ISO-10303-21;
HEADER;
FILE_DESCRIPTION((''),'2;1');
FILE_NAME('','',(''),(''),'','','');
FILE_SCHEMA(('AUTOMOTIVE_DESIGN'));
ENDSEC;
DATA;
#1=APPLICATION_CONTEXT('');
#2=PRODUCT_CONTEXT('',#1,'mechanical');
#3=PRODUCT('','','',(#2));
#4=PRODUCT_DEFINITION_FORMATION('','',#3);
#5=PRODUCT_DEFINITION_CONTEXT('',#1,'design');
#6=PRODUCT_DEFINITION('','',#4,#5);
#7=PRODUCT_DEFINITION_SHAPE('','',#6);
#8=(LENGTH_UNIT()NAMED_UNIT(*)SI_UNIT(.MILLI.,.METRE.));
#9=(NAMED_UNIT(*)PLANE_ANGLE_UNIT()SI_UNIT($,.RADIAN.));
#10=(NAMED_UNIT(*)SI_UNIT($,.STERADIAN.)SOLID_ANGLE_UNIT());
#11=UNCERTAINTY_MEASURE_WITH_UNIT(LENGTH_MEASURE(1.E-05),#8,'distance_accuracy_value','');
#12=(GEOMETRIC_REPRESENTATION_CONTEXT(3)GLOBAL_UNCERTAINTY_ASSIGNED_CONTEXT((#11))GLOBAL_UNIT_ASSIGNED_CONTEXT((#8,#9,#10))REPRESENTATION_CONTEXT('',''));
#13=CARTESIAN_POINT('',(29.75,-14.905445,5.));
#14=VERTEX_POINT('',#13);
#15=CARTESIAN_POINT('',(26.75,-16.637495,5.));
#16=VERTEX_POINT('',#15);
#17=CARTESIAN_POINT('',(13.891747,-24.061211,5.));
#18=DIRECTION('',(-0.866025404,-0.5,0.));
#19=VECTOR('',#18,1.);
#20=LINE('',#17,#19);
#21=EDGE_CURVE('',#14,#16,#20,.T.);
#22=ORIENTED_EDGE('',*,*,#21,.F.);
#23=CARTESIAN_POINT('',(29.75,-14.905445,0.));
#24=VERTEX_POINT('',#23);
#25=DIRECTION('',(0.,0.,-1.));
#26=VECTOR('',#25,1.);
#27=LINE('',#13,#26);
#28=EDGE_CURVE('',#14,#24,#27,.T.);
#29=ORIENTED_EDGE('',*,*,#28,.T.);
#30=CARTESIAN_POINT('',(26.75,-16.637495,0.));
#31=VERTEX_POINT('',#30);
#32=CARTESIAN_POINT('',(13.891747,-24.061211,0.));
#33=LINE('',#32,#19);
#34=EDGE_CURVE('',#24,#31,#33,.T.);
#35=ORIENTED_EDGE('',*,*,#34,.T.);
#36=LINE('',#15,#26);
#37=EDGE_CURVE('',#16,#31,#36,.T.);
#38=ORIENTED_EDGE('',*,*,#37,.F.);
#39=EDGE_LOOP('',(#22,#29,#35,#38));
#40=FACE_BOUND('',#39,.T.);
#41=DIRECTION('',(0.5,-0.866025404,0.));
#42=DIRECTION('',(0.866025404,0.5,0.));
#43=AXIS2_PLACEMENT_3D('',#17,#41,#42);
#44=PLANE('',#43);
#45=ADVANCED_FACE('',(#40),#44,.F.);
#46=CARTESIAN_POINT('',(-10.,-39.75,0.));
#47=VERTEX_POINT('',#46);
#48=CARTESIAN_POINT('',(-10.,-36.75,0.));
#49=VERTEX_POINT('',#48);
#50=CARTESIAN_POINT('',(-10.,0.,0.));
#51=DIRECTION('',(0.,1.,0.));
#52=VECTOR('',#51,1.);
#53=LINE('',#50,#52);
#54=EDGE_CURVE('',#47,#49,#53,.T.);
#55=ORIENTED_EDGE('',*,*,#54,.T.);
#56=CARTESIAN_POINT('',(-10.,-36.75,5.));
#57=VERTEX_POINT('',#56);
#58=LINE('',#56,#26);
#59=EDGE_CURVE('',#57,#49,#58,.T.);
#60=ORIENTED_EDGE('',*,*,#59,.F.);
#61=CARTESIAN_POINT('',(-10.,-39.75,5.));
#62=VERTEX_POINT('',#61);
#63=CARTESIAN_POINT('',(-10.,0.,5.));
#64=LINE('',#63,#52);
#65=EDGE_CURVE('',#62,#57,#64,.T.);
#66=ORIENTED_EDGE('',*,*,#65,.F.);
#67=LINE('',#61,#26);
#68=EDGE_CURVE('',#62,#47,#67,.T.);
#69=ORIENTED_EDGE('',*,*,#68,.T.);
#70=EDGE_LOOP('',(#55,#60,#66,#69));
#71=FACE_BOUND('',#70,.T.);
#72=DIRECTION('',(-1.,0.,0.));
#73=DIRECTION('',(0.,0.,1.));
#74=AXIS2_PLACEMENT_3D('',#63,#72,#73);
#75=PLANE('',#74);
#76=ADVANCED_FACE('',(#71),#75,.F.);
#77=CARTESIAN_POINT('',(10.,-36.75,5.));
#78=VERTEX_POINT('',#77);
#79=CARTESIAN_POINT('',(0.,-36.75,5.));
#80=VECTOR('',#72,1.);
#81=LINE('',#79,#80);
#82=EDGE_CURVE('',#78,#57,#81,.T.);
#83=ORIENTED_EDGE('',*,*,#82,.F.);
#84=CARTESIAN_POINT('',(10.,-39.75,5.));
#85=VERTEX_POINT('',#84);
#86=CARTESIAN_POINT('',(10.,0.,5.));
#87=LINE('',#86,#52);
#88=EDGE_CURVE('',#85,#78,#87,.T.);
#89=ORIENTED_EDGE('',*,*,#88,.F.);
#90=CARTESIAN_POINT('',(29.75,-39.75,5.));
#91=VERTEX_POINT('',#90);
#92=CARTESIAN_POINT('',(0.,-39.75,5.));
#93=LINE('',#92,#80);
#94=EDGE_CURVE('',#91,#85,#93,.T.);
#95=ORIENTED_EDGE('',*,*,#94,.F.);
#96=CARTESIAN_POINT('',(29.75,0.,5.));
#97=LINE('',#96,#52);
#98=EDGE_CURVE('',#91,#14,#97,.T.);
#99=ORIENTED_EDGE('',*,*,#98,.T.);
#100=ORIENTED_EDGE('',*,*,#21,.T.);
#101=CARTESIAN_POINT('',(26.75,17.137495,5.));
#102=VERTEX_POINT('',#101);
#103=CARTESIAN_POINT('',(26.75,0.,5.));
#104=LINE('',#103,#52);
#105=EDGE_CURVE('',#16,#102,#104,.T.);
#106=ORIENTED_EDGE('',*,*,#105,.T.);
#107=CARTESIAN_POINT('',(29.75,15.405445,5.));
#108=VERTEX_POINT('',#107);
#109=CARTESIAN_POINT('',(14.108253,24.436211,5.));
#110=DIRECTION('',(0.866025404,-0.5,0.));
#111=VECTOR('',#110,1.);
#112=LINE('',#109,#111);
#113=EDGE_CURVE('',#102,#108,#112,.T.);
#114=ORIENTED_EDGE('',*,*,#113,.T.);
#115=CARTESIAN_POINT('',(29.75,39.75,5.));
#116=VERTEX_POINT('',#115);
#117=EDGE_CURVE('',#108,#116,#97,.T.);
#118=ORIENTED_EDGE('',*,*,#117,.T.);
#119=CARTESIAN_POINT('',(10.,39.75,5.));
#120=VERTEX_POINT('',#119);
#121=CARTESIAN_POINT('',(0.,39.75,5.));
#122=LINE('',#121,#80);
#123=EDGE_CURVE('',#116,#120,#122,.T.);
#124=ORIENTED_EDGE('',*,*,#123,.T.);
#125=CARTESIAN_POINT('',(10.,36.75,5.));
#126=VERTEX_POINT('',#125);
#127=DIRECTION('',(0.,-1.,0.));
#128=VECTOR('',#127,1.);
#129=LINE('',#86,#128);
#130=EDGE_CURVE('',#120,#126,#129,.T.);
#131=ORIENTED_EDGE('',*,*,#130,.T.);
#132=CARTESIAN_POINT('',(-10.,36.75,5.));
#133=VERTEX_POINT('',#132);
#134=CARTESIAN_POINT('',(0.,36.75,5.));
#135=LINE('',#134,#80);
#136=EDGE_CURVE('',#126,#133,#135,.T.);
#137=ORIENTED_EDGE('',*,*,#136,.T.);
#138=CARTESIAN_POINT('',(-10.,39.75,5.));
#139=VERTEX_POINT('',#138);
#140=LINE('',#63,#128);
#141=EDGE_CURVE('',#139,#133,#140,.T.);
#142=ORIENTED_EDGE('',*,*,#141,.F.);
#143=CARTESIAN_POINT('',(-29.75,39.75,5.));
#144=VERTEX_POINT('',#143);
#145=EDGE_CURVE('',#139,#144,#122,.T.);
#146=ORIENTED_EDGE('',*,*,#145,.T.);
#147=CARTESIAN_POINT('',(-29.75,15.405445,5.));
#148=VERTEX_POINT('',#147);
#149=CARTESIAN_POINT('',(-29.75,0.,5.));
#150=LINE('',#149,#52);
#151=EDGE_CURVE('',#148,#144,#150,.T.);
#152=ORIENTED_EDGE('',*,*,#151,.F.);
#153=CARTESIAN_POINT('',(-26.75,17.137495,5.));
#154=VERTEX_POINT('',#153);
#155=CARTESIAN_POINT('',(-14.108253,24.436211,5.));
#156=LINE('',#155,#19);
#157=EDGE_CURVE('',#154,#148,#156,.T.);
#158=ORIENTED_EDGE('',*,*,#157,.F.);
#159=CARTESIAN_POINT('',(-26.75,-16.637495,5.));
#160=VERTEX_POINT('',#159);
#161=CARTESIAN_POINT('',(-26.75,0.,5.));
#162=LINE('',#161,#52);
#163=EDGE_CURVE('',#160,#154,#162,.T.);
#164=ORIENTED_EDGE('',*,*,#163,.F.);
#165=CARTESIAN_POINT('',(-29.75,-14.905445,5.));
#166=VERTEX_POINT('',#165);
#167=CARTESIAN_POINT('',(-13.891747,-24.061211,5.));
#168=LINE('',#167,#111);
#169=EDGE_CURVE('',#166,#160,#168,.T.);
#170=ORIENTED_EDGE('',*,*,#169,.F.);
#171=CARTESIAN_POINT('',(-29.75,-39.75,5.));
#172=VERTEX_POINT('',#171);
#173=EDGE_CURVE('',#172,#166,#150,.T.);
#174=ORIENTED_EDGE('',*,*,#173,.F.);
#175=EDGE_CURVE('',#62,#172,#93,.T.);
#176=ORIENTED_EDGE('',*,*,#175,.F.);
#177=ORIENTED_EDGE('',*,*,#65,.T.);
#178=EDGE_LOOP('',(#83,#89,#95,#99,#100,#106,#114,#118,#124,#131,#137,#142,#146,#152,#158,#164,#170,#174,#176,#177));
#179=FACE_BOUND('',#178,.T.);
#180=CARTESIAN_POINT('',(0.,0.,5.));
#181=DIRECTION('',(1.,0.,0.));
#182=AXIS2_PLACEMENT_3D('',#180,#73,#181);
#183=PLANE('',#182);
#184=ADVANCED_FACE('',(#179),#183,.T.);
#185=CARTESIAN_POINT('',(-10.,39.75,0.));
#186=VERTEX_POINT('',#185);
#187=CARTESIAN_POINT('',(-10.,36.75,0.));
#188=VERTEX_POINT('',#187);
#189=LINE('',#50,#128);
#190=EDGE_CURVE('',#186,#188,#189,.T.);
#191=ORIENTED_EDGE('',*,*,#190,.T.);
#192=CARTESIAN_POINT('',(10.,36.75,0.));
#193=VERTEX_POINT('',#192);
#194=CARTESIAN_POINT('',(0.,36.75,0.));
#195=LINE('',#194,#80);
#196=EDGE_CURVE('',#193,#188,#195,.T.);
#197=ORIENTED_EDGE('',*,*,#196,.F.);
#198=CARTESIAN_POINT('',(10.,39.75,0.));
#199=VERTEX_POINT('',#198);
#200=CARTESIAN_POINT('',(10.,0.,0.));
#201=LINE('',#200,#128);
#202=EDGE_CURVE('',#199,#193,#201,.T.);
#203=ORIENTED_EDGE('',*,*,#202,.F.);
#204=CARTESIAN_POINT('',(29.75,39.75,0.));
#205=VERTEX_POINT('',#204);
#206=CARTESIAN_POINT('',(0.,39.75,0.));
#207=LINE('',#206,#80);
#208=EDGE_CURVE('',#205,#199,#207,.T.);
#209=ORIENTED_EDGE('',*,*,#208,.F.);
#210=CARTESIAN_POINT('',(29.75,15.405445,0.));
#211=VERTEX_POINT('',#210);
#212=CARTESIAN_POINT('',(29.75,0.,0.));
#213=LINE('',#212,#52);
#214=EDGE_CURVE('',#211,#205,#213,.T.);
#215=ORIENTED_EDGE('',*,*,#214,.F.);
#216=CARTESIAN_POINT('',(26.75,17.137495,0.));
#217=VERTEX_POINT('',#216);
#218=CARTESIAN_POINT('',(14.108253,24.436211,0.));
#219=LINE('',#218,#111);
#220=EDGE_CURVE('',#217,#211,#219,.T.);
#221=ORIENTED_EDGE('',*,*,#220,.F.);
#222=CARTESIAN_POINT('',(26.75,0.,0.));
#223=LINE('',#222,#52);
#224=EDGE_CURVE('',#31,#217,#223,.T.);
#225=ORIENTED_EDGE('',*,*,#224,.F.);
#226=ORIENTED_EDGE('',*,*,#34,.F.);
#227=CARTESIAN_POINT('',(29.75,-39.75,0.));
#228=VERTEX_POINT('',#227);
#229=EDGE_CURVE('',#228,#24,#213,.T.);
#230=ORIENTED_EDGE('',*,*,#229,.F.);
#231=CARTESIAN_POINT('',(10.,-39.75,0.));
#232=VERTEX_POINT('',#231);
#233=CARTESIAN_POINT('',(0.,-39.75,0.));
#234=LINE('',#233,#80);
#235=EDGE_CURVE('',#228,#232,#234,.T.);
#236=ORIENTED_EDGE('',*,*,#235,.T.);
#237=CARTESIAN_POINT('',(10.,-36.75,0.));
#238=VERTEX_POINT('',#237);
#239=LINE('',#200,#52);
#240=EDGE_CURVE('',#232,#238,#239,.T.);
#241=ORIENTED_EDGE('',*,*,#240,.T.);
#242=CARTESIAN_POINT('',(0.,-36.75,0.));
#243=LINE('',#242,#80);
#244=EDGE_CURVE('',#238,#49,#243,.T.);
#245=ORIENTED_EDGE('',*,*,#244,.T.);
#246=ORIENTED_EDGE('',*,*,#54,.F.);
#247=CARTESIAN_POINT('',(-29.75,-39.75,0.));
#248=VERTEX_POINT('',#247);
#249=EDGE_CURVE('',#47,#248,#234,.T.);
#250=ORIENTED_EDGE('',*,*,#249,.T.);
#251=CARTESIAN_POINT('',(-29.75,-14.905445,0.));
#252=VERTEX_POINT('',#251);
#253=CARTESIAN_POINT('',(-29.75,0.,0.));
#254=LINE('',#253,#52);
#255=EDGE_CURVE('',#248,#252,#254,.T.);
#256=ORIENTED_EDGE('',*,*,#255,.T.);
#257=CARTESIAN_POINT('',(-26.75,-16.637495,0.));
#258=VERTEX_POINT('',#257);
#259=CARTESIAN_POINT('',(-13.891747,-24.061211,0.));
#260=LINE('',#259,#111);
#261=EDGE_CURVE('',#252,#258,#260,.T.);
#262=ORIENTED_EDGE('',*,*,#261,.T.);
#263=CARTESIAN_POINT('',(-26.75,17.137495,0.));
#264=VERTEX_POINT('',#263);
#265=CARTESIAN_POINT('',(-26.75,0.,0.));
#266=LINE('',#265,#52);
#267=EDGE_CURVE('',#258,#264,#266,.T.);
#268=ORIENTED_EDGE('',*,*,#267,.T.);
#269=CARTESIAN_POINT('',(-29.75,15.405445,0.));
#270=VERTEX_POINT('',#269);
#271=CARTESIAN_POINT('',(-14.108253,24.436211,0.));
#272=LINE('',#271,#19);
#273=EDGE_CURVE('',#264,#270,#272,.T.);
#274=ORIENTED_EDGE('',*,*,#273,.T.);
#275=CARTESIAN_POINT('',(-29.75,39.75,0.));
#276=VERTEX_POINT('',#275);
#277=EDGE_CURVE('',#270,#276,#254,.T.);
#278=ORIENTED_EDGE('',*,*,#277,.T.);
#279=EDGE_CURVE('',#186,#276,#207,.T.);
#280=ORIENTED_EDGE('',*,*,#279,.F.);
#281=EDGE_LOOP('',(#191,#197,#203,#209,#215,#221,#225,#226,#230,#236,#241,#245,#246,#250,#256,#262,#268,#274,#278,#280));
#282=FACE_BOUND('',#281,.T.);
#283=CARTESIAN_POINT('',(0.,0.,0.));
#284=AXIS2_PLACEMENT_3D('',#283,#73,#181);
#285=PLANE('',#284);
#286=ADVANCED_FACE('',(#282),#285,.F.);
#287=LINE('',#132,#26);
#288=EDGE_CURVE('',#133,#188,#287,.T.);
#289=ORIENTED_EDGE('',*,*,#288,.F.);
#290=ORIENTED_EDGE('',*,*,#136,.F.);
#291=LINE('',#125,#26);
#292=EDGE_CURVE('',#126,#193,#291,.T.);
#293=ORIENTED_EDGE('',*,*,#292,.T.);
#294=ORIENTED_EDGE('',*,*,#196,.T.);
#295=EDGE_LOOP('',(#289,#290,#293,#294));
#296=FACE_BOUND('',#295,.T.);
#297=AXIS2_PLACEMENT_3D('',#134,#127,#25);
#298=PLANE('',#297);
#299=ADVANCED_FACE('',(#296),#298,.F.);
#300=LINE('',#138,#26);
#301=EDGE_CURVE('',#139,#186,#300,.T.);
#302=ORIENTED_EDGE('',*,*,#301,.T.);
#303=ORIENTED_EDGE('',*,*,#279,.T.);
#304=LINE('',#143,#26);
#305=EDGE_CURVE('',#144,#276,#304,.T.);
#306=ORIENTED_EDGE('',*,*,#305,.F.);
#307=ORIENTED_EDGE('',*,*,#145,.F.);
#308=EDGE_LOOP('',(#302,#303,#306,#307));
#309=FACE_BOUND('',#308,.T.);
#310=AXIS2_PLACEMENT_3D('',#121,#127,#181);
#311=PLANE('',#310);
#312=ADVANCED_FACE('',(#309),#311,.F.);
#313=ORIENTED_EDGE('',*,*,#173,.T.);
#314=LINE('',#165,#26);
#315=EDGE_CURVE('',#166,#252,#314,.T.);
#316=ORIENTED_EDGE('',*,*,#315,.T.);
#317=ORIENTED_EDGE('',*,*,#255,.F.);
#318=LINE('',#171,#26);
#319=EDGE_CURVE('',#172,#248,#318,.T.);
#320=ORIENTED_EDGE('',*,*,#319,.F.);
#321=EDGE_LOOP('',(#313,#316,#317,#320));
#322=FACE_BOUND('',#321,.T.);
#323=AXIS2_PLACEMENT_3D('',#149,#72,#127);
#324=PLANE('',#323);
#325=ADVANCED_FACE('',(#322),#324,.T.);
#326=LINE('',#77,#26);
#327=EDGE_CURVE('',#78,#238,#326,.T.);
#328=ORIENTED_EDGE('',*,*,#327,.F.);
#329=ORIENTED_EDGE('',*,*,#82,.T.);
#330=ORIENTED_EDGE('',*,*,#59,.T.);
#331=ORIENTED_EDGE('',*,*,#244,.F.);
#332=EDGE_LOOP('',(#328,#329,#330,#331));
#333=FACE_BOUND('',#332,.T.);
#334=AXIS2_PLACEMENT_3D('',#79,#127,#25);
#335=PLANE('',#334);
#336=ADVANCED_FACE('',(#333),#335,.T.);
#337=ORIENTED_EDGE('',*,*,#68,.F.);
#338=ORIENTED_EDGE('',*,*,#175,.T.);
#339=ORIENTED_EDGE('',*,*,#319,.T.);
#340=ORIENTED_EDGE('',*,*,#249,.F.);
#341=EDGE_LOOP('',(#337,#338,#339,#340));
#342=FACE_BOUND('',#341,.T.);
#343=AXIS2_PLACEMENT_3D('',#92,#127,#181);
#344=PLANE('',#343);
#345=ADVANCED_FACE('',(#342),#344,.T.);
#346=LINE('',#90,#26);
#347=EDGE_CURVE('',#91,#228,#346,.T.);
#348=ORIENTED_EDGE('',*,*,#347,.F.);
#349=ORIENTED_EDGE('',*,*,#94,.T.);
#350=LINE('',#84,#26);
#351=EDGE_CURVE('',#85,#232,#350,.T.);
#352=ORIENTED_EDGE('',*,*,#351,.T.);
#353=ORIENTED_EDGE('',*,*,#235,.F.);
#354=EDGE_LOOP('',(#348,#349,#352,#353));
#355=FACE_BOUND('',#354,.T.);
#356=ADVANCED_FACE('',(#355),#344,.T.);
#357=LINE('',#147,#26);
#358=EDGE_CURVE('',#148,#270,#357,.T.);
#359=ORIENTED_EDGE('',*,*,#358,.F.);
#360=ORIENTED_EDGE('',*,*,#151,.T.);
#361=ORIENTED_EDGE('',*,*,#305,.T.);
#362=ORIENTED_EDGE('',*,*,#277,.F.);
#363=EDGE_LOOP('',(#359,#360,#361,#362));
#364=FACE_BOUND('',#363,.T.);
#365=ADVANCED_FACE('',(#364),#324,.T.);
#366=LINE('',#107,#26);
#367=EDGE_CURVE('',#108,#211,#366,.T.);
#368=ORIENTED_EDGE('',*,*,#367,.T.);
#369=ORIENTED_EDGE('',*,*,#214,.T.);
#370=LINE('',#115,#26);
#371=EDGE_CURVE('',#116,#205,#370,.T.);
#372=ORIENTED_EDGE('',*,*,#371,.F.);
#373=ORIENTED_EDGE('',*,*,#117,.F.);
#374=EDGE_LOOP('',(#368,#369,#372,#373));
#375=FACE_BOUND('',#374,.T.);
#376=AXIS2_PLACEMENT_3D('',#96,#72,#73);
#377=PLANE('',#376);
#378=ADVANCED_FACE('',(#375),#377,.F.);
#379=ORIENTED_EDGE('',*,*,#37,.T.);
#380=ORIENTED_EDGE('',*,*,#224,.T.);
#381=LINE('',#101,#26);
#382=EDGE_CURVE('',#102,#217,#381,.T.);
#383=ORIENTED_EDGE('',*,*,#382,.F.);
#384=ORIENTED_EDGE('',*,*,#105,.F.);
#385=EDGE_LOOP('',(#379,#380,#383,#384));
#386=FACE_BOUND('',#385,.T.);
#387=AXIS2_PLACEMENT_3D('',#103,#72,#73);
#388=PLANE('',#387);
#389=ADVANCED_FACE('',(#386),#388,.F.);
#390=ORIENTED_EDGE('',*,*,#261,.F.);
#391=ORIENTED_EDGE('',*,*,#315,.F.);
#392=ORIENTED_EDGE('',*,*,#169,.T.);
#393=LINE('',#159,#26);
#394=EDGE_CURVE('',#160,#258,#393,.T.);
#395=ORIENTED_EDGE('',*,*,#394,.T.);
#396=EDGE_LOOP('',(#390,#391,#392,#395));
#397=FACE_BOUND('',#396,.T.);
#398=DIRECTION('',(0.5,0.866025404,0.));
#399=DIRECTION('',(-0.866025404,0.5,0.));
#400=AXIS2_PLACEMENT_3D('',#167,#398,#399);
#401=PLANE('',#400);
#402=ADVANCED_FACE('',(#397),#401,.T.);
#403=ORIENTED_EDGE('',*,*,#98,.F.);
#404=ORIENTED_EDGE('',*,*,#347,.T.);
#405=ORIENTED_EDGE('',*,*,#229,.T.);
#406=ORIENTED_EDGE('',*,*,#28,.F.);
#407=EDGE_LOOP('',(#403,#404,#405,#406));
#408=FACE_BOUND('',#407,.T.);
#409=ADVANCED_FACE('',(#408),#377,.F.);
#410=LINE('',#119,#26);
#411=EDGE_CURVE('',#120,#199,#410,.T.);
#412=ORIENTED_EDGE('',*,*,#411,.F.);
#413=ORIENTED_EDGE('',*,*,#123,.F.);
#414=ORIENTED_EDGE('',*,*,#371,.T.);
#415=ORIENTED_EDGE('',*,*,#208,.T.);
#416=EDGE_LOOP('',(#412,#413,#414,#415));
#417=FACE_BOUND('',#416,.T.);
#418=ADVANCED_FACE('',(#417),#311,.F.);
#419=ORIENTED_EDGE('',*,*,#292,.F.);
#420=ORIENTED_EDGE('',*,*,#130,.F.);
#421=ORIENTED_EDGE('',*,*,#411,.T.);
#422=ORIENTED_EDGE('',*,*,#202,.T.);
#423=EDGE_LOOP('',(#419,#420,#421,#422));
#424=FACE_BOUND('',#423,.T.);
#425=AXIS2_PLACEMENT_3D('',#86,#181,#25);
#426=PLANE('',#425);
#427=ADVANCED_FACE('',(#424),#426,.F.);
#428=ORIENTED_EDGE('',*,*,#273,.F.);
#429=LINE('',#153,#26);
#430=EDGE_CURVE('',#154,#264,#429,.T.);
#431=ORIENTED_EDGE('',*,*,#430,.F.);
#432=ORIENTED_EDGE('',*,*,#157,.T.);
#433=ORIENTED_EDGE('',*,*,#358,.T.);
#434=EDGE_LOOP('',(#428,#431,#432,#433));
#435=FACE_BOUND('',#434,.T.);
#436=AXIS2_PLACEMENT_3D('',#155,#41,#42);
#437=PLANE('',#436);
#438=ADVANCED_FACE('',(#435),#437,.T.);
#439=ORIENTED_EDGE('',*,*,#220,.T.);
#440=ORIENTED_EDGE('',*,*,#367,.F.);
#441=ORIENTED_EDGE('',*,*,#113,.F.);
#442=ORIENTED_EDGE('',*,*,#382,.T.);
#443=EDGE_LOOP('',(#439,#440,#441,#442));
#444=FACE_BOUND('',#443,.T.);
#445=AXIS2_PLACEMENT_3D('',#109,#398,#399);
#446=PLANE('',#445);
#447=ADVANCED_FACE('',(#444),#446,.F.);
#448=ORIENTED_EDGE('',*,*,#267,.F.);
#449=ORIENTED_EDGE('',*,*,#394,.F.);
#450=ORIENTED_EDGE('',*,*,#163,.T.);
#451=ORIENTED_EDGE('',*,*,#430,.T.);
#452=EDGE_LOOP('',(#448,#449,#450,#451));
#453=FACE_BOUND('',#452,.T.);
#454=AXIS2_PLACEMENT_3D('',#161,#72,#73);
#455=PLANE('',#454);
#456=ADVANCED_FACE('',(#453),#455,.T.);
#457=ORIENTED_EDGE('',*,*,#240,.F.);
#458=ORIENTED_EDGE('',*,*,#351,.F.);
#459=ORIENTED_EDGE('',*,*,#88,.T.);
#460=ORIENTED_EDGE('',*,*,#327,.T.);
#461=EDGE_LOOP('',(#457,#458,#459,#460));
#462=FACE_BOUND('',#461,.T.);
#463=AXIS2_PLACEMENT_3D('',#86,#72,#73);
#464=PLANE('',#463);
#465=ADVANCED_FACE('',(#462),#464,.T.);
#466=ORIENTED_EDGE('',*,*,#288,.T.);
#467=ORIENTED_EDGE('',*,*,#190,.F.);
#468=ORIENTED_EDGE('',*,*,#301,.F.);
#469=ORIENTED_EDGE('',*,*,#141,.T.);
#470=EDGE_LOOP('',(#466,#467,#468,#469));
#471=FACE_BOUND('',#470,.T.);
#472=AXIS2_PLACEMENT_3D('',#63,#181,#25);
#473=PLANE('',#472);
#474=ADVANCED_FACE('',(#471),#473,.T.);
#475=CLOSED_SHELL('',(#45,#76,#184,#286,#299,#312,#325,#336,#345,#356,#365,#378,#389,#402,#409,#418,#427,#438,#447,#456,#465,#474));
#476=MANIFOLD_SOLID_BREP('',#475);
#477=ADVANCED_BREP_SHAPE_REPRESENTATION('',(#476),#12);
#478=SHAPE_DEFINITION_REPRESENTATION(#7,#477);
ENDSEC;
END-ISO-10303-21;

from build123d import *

# Parameters (mm, degrees)
BOSS_EXTRUDE1_DEPTH = 5


with BuildPart() as part:
    # Sketch4 → Boss-Extrude1 (new body)
    with BuildSketch(Plane(origin=(0, 0, 0), x_dir=(0, 1, 0), z_dir=(0, 0, 1))):
        Polygon((-39.75, -29.75), (-14.905444566, -29.75), (-16.637495374, -26.75), (0.24999995, -26.75), (17.137495374, -26.75), (15.405444566, -29.75), (39.75, -29.75), (39.75, -10), (36.75, -10), (36.75, 10), (39.75, 10), (39.75, 29.75), (15.405444566, 29.75), (17.137495374, 26.75), (0.250000065, 26.75), (-16.637495374, 26.75), (-14.905444566, 29.75), (-39.75, 29.75), (-39.75, 10), (-36.75, 10), (-36.75, -10), (-39.75, -10), align=None)
    extrude(amount=BOSS_EXTRUDE1_DEPTH)


solid = part.part
